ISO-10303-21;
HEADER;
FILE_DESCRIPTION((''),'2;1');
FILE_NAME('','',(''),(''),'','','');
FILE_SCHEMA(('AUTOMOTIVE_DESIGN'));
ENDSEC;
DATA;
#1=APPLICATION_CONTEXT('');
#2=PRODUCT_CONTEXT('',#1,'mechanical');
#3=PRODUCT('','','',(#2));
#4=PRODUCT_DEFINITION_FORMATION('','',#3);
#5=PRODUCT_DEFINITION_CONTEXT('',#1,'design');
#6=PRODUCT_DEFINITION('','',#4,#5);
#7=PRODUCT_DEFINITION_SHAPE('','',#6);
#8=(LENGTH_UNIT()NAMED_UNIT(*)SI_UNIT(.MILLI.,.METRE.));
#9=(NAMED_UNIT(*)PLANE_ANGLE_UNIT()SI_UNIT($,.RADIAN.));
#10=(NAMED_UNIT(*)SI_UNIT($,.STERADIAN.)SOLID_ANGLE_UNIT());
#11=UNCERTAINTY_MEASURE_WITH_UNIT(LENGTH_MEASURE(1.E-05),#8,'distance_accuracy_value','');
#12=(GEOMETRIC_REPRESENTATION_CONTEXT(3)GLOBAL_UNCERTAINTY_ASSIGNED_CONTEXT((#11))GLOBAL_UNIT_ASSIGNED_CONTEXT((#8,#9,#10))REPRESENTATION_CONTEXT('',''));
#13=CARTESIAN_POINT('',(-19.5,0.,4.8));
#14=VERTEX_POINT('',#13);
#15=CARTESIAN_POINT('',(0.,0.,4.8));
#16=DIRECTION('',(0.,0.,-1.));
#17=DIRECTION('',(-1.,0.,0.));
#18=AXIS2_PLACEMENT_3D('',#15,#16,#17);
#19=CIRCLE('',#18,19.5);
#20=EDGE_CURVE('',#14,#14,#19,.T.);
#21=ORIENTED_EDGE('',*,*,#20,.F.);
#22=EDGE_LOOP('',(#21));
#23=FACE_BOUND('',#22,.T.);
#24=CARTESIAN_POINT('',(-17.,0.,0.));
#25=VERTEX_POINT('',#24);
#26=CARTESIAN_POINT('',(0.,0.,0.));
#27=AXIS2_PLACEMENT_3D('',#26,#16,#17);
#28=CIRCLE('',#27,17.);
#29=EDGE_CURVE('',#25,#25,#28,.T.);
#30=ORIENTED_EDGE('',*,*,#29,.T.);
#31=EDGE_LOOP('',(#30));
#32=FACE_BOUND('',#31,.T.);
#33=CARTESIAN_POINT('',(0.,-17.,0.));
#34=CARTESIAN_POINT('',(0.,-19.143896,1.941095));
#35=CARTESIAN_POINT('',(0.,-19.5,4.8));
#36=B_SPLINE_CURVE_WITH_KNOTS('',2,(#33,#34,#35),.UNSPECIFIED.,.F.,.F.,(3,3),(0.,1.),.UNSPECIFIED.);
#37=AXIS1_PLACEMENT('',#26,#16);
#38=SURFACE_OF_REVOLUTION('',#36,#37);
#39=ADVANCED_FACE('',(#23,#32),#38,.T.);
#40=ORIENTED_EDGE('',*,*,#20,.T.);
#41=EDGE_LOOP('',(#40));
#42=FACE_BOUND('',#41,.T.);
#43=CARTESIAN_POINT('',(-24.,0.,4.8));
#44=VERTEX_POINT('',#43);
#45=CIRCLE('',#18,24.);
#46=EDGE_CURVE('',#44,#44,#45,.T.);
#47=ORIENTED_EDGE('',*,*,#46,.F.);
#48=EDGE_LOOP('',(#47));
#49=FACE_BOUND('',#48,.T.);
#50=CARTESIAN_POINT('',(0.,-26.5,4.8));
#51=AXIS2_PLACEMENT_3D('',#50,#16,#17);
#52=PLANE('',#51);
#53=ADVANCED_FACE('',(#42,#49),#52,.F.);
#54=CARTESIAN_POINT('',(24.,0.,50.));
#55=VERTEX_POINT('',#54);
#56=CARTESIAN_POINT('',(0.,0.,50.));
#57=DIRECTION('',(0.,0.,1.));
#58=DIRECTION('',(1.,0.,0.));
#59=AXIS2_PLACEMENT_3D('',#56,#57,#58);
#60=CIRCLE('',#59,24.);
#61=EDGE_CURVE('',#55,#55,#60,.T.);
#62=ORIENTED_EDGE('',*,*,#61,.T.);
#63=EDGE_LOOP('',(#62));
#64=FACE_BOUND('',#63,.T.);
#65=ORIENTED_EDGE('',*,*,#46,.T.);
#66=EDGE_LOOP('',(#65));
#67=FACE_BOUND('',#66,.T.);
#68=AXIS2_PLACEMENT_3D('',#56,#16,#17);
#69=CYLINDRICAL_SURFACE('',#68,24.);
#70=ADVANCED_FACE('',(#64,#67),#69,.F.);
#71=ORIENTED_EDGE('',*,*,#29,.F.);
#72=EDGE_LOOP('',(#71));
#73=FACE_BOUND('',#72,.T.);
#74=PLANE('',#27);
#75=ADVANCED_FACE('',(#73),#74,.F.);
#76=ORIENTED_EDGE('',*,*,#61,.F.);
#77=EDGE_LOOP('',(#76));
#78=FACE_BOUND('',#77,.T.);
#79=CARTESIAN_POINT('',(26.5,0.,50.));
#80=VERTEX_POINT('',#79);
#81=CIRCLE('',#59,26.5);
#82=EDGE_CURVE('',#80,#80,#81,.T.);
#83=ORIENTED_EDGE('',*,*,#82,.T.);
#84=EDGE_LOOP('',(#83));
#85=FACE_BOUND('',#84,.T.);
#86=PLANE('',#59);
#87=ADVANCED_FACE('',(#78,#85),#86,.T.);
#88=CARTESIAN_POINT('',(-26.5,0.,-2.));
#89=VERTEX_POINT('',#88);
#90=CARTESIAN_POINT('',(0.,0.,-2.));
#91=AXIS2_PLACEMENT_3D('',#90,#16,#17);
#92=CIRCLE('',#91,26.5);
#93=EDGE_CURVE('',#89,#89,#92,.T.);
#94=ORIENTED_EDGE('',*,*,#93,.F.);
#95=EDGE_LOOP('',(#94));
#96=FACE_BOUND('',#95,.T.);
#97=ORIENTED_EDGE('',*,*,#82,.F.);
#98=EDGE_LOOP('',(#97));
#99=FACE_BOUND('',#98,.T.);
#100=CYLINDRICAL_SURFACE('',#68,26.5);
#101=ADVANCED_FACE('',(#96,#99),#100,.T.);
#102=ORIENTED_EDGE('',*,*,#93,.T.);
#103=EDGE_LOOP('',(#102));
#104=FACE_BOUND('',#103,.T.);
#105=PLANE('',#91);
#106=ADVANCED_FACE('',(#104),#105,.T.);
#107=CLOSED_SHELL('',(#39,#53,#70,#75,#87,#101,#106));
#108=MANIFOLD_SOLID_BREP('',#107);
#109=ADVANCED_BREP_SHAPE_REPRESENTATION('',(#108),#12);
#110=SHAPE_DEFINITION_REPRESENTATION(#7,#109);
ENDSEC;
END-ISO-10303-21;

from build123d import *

# Parameters (mm, degrees)
SKETCH1_R           = 26.5
SKETCH1_R_2         = 24
BOSS_EXTRUDE1_DEPTH = 50
BOSS_EXTRUDE2_START = 2
SKETCH2_R           = 26.5
BOSS_EXTRUDE2_DEPTH = 2


with BuildPart() as part:
    # Sketch1 → Boss-Extrude1 (new body)
    with BuildSketch(Plane(origin=(0, 0, 0), x_dir=(0, 1, 0), z_dir=(0, 0, 1))):
        Circle(SKETCH1_R)
        Circle(SKETCH1_R_2, mode=Mode.SUBTRACT)
    extrude(amount=BOSS_EXTRUDE1_DEPTH)

    # Sketch2 → Boss-Extrude2 (add)
    with BuildSketch(Plane(origin=(0, 0, 0), x_dir=(1, 0, 0), z_dir=(0, 0, -1)).offset(BOSS_EXTRUDE2_START)):
        Circle(SKETCH2_R)
    extrude(amount=-BOSS_EXTRUDE2_DEPTH)

    # Sketch5 → Revolve1 (revolve)
    with BuildSketch(Plane.YZ):
        with BuildLine():
            Line((-26.5, 0), (-26.5, 4.8))
            Line((-26.5, 4.8), (-19.5, 4.8))
            add(Edge.make_bspline(
                [(-19.5, 4.8), (-19.143895577, 1.941095467), (-17, 0)],
                knots=[0, 0, 0, 1, 1, 1], degree=2))
            Line((-17, 0), (-26.5, 0))
        make_face()
    revolve(axis=Axis((0, 0, 0), (0, 0, 1)))


solid = part.part
